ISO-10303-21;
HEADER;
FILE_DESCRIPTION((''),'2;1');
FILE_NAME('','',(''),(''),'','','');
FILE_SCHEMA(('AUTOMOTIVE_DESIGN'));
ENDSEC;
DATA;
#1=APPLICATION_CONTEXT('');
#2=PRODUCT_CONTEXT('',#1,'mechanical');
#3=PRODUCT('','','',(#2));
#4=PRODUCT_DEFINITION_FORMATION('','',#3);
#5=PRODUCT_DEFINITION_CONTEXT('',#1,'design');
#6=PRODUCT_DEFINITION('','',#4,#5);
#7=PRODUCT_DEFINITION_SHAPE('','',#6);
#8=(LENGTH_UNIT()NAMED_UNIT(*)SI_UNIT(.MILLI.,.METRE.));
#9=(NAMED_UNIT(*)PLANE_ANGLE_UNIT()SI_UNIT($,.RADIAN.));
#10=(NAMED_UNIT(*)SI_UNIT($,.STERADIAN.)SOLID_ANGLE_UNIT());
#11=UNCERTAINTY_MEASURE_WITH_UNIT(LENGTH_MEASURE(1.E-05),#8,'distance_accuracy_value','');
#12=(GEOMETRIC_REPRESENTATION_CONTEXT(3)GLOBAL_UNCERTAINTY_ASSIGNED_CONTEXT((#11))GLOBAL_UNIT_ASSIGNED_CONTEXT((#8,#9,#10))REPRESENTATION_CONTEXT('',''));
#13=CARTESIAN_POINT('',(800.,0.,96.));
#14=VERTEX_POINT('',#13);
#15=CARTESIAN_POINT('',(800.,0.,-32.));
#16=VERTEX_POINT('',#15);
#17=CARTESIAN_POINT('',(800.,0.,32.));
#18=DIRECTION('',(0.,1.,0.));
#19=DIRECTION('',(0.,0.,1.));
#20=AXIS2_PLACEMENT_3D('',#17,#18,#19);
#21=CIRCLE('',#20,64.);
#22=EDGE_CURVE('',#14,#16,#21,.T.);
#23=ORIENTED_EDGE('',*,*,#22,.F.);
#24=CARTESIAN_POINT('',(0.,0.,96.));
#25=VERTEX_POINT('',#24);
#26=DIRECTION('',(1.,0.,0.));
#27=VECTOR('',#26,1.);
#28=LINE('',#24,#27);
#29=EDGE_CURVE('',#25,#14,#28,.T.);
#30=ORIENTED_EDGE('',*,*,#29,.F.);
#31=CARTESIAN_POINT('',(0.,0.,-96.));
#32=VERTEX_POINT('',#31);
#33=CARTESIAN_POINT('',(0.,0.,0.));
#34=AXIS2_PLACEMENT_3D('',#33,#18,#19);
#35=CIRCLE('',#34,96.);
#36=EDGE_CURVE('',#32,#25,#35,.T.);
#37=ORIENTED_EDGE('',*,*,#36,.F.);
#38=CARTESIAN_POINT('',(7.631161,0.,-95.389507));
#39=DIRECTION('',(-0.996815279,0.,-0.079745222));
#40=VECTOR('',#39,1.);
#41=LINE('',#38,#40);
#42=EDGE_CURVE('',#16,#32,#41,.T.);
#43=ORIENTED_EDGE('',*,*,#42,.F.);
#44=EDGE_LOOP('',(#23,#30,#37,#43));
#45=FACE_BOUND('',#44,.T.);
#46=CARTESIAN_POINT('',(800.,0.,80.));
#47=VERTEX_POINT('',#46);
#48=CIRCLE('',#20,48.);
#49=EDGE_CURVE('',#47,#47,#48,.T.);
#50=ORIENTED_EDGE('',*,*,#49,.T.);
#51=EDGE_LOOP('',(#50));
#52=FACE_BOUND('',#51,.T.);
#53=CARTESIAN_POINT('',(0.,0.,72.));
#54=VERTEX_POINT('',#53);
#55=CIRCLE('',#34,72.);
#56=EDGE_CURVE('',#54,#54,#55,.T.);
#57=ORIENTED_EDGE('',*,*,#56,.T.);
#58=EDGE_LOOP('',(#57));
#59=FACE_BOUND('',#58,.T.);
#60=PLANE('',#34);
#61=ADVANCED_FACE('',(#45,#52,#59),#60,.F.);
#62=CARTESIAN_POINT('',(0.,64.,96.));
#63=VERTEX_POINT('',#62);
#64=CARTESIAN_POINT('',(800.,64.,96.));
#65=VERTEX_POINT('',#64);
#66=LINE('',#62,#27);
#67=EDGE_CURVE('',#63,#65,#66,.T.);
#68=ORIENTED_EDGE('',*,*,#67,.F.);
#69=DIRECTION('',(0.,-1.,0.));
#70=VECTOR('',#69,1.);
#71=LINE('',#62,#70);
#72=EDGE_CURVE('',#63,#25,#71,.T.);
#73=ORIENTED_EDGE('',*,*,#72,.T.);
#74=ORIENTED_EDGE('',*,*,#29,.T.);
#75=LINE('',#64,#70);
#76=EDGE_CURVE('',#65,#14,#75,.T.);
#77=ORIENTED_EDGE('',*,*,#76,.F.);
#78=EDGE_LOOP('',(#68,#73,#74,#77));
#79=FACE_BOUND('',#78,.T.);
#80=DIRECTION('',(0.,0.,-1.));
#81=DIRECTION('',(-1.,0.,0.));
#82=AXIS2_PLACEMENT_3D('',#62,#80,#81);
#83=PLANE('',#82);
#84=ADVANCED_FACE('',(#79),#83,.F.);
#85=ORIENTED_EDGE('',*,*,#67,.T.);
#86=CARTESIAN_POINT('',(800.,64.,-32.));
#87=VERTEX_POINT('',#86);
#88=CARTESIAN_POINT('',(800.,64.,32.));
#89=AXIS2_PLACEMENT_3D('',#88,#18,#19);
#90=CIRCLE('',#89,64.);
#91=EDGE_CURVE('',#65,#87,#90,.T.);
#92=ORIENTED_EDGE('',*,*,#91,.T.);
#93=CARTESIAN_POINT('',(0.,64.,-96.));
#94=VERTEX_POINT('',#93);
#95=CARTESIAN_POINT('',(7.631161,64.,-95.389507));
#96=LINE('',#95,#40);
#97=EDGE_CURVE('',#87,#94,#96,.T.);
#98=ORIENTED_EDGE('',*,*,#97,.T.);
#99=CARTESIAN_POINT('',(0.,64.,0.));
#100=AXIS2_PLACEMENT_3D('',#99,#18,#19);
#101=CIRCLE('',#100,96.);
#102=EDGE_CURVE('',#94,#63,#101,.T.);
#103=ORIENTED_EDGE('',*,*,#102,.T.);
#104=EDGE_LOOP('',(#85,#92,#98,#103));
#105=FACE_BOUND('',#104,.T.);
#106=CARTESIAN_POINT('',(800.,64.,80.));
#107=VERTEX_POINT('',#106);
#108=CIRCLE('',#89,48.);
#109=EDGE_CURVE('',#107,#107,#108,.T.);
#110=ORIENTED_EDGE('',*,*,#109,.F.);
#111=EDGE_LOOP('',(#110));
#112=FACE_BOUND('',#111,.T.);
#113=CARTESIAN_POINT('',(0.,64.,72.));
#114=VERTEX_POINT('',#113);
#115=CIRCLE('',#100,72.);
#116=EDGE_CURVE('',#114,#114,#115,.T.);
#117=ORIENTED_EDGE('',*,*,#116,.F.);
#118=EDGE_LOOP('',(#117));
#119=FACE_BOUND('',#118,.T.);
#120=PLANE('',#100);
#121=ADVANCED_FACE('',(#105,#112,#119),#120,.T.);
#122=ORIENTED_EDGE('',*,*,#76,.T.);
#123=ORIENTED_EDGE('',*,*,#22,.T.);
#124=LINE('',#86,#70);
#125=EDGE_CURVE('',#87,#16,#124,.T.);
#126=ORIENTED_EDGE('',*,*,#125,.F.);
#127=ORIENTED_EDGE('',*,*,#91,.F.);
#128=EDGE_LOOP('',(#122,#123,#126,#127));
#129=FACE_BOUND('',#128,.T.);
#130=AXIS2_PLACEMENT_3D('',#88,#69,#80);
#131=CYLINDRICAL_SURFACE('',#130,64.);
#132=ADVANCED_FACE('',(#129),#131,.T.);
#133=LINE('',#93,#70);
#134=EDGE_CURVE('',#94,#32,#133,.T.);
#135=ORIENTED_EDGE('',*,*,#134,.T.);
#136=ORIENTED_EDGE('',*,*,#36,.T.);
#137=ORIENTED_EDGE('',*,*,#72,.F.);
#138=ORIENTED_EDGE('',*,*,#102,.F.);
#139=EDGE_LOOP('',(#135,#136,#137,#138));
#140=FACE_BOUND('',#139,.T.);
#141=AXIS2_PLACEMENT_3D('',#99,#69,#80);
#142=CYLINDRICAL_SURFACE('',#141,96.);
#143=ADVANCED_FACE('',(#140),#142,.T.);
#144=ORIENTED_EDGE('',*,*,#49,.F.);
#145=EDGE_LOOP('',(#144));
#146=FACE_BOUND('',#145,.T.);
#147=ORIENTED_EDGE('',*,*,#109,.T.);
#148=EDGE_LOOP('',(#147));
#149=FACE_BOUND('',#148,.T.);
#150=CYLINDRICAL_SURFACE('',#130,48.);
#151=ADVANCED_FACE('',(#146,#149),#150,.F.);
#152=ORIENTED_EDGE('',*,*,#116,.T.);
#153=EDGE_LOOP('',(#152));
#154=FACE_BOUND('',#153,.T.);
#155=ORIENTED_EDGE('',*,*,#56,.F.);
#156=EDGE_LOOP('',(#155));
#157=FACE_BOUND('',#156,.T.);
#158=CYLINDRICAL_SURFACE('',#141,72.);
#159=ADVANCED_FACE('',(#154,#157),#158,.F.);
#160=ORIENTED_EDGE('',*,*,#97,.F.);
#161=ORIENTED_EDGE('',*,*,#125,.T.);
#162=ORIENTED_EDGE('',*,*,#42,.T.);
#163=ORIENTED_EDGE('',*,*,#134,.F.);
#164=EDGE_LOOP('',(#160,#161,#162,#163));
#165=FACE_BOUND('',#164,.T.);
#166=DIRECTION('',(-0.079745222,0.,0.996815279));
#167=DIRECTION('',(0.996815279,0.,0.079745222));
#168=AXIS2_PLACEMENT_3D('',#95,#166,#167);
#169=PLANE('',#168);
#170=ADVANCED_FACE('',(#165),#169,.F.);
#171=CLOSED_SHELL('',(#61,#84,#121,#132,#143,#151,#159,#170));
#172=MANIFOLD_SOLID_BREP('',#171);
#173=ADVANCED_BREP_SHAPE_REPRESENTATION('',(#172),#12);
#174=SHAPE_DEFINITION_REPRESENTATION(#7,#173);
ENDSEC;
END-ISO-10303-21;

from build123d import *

# Parameters (mm, degrees)
SKETCH1_R           = 72
BOSS_EXTRUDE2_DEPTH = 64


with BuildPart() as part:
    # Sketch1 → Boss-Extrude2 (new body)
    # profile 1 of 6: a face of its own
    with BuildSketch(Plane(origin=(0, 0, 0), x_dir=(1, 0, 0), z_dir=(0, 1, 0))):
        with BuildLine():
            ThreePointArc((0, 96), (-96, 0), (0, -96))
            ThreePointArc((0, -96), (67.882250994, -67.882250994), (96, 0))
            ThreePointArc((96, 0), (73.079350127, 62.252779738), (15.262321145, 94.779014308))
            Line((15.262321145, 94.779014308), (0, 96))
        make_face()
        with Locations(Location((0, 0, 0), (0, 0, 270))):
            Circle(SKETCH1_R, mode=Mode.SUBTRACT)
    # profile 2 of 6: a face of its own
    with BuildSketch(Plane(origin=(0, 0, 0), x_dir=(1, 0, 0), z_dir=(0, 1, 0))):
        with BuildLine():
            ThreePointArc((96, 0), (67.882250994, -67.882250994), (0, -96))
            Line((0, -96), (800, -96))
            ThreePointArc((800, -96), (736, -32), (800, 32))
            Line((800, 32), (15.262321145, 94.779014308))
            ThreePointArc((15.262321145, 94.779014308), (73.079350127, 62.252779738), (96, 0))
        make_face()
    # profile 3 of 6: a face of its own
    with BuildSketch(Plane(origin=(0, 0, 0), x_dir=(1, 0, 0), z_dir=(0, 1, 0))):
        with BuildLine():
            ThreePointArc((800, 32), (736, -32), (800, -96))
            Line((800, -96), (800, -80))
            ThreePointArc((800, -80), (752, -32), (800, 16))
            Line((800, 16), (800, 32))
        make_face()
    # profile 4 of 6: a face of its own
    with BuildSketch(Plane(origin=(0, 0, 0), x_dir=(1, 0, 0), z_dir=(0, 1, 0))):
        with BuildLine():
            Line((800, -80), (800, -96))
            ThreePointArc((800, -96), (845.254833996, -77.254833996), (864, -32))
            ThreePointArc((864, -32), (845.254833996, 13.254833996), (800, 32))
            Line((800, 32), (800, 16))
            ThreePointArc((800, 16), (833.941125497, 1.941125497), (848, -32))
            ThreePointArc((848, -32), (833.941125497, -65.941125497), (800, -80))
        make_face()
    # profile 5 of 6: a face of its own
    with BuildSketch(Plane(origin=(0, 0, 0), x_dir=(1, 0, 0), z_dir=(0, 1, 0))):
        with BuildLine():
            ThreePointArc((800, 32), (736, -32), (800, -96))
            Line((800, -96), (800, -80))
            ThreePointArc((800, -80), (752, -32), (800, 16))
            Line((800, 16), (800, 32))
        make_face()
    # profile 6 of 6: a face of its own
    with BuildSketch(Plane(origin=(0, 0, 0), x_dir=(1, 0, 0), z_dir=(0, 1, 0))):
        with BuildLine():
            Line((800, -80), (800, -96))
            ThreePointArc((800, -96), (845.254833996, -77.254833996), (864, -32))
            ThreePointArc((864, -32), (845.254833996, 13.254833996), (800, 32))
            Line((800, 32), (800, 16))
            ThreePointArc((800, 16), (833.941125497, 1.941125497), (848, -32))
            ThreePointArc((848, -32), (833.941125497, -65.941125497), (800, -80))
        make_face()
    extrude(amount=BOSS_EXTRUDE2_DEPTH)


solid = part.part
